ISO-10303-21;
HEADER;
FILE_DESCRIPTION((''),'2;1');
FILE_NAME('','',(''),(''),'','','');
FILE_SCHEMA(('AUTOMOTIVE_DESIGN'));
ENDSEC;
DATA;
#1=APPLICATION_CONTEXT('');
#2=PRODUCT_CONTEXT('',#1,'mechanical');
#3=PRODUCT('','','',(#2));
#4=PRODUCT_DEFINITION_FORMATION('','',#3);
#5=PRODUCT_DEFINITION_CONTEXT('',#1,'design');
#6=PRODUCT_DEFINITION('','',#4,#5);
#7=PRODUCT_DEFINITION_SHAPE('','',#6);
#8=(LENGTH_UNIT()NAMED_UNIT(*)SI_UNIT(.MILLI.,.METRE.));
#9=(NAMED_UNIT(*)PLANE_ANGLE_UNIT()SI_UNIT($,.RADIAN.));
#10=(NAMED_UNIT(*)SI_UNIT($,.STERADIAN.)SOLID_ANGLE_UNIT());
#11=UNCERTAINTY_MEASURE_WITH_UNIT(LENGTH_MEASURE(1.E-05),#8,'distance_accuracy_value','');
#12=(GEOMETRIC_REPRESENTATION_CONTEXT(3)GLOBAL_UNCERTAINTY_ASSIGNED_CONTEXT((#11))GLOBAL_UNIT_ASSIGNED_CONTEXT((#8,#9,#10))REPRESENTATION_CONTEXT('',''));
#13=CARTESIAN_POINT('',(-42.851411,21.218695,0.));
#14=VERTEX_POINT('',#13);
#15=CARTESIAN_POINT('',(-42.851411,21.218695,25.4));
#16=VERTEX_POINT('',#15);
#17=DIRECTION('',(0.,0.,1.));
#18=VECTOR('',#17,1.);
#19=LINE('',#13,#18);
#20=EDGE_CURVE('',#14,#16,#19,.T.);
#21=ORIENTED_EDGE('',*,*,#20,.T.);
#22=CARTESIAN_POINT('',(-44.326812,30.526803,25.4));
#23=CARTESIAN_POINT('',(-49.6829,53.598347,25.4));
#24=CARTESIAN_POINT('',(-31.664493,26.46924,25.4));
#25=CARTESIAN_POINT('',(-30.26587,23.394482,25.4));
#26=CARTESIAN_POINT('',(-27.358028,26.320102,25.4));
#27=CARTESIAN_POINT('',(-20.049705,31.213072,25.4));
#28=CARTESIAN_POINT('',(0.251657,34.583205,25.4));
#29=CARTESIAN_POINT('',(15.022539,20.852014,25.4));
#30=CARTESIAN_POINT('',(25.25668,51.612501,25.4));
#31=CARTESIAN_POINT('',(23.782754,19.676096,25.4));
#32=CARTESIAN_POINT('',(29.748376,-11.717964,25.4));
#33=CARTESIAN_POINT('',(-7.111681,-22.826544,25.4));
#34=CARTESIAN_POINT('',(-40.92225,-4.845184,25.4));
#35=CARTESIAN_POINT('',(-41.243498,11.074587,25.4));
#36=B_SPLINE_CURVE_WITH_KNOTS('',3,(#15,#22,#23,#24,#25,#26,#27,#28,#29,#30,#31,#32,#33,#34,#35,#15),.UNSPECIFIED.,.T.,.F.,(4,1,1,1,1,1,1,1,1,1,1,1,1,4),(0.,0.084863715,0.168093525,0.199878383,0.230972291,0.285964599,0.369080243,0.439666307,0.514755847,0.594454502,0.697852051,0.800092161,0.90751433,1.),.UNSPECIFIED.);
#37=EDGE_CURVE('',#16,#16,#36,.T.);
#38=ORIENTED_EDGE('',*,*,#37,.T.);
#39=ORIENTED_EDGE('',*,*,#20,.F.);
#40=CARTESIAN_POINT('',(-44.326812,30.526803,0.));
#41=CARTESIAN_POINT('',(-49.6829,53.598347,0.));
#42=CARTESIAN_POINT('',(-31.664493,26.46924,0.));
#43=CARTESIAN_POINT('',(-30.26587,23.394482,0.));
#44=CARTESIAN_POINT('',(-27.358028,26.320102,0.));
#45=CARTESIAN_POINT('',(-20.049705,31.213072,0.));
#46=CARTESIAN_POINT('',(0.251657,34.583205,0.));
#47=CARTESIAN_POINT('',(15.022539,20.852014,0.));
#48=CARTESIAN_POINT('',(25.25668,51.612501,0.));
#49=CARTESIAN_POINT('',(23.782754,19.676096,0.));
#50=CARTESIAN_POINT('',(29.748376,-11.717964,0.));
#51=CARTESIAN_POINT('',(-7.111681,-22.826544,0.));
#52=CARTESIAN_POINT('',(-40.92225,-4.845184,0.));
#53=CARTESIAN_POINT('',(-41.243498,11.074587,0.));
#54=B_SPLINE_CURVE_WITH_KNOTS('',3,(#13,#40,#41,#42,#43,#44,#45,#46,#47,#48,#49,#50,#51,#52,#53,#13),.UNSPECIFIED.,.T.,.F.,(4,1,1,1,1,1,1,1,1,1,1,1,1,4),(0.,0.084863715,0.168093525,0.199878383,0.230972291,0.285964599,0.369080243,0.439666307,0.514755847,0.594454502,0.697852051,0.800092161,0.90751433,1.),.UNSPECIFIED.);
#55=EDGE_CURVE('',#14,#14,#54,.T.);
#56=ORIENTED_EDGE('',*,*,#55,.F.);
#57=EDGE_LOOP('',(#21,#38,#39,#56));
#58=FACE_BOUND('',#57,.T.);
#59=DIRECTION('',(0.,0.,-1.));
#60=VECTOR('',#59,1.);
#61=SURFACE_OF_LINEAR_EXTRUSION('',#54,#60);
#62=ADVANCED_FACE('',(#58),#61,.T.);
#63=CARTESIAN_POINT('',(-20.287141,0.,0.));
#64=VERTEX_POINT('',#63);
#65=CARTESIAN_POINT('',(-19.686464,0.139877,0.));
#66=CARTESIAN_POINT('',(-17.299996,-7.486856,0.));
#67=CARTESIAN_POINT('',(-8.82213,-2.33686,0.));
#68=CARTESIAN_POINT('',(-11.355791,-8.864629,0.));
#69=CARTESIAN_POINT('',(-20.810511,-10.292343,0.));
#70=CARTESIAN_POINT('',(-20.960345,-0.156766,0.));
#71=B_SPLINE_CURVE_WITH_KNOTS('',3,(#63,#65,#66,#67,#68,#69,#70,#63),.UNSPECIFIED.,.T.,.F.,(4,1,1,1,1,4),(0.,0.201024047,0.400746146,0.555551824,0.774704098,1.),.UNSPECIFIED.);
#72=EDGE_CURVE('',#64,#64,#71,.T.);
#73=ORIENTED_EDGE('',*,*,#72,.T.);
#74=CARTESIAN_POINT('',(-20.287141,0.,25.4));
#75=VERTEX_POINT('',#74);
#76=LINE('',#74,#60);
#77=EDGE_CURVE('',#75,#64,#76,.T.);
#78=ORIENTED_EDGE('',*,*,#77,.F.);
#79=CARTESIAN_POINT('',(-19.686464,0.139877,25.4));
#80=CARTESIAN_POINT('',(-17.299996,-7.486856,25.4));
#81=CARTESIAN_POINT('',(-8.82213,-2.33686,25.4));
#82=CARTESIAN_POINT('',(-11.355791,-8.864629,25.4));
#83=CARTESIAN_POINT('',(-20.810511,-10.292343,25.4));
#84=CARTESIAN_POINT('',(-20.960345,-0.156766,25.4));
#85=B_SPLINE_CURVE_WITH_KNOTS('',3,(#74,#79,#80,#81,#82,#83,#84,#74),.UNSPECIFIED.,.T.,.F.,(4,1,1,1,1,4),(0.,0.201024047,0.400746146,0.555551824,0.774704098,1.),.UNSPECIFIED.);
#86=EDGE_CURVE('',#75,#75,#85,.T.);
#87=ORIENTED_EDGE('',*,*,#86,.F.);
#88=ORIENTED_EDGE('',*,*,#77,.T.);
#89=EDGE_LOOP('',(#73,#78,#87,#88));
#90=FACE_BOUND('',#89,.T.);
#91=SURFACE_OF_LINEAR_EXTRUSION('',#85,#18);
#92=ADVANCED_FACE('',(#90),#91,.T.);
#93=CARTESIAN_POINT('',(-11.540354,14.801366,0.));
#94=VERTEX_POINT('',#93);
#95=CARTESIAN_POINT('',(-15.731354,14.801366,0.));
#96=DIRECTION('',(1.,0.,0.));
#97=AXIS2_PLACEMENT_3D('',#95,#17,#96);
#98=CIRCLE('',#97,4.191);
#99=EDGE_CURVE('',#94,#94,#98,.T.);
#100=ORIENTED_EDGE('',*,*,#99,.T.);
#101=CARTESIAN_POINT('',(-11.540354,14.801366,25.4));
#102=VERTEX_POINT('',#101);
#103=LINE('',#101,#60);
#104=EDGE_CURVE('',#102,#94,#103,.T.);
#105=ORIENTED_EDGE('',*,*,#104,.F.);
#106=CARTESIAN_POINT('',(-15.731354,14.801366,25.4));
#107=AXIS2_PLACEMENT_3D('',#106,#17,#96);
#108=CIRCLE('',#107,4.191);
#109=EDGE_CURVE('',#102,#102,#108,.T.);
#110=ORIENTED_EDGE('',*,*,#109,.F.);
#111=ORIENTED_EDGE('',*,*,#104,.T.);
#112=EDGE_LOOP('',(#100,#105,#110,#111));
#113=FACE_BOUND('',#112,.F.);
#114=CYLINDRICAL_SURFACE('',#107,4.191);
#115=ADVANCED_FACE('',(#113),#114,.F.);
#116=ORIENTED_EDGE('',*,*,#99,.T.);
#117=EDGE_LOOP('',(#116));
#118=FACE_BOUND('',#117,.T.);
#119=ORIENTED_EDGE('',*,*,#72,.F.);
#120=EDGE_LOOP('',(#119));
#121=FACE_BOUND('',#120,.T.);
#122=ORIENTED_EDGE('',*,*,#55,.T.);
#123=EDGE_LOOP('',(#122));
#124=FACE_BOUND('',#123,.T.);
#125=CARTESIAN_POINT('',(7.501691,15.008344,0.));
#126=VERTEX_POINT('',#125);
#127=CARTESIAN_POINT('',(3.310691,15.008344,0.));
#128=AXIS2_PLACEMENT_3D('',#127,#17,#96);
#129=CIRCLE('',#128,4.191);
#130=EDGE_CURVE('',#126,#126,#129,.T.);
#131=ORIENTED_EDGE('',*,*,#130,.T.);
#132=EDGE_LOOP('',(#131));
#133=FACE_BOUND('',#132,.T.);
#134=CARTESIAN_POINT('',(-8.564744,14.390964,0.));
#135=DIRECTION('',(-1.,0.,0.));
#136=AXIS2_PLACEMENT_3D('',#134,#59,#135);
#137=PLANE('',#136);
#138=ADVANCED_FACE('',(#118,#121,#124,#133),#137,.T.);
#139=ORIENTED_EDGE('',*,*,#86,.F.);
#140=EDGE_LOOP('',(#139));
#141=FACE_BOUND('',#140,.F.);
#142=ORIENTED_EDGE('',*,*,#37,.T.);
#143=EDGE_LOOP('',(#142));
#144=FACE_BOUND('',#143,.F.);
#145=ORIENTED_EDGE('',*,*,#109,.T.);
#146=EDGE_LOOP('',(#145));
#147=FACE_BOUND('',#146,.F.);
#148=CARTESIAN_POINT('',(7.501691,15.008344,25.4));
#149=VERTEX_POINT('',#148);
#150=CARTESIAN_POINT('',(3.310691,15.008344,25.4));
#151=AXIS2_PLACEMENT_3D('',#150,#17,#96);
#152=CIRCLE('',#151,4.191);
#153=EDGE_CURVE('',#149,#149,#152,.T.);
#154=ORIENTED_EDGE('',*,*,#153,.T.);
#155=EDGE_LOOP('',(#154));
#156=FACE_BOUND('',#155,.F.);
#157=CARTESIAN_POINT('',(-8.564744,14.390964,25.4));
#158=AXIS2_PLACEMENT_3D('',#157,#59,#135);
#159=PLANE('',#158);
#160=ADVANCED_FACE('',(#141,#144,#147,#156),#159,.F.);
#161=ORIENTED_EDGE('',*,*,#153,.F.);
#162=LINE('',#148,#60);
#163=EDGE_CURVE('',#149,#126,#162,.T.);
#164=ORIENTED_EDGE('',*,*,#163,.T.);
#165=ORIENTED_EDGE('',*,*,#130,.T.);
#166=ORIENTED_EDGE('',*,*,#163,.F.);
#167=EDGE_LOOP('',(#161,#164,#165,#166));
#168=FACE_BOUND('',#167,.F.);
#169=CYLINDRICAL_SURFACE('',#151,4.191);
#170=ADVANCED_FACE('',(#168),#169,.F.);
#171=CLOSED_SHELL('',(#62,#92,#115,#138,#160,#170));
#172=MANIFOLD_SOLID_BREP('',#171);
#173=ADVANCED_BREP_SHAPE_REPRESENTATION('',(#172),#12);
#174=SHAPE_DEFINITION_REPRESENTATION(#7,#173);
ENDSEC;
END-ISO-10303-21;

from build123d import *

# Parameters (mm, degrees)
F1_DEPTH = 25.4
F2_R     = 4.191
F3_DEPTH = 25.4


with BuildPart() as f1:
    # F0 (on Top) → F1 (new body)
    with BuildSketch(Plane.XY):
        with BuildLine():
            add(Edge.make_bspline(
                [(-42.8514108062, 21.2186947465), (-44.3268118201, 30.5268033366), (-49.6829000505, 53.5983472666), (-31.6644929782, 26.4692395328), (-30.2658704048, 23.3944824767), (-27.3580280224, 26.320101718), (-20.0497046803, 31.2130721735), (0.2516572719, 34.5832046445), (15.0225386336, 20.8520136911), (25.2566801168, 51.6125008839), (23.7827540764, 19.6760959158), (29.7483761587, -11.7179638818), (-7.1116814767, -22.8265440505), (-40.922249543, -4.8451840082), (-41.243498032, 11.0745871004), (-42.8514108062, 21.2186947465)],
                knots=[0, 0, 0, 0, 0.0848637145, 0.1680935252, 0.1998783833, 0.2309722911, 0.285964599, 0.3690802428, 0.439666307, 0.514755847, 0.5944545024, 0.6978520507, 0.8000921614, 0.9075143304, 1, 1, 1, 1], degree=3))
        make_face()
    extrude(amount=F1_DEPTH)

    # F2 (on face) → F3 (cut)
    with BuildSketch(Plane.XY.offset(25.4)):
        with Locations((-15.7313544528, 14.8013656155)):
            Circle(F2_R)
        with Locations((3.3106912559, 15.008344315)):
            Circle(F2_R)
        with BuildLine():
            add(Edge.make_bspline(
                [(-20.2871412039, 0), (-19.6864639807, 0.139877269), (-17.2999964436, -7.4868556319), (-8.8221302548, -2.336859719), (-11.3557907609, -8.8646285726), (-20.8105110204, -10.2923430669), (-20.9603448263, -0.1567661975), (-20.2871412039, 0)],
                knots=[0, 0, 0, 0, 0.2010240471, 0.4007461458, 0.5555518241, 0.7747040982, 1, 1, 1, 1], degree=3))
        make_face()
    extrude(amount=-F3_DEPTH, mode=Mode.SUBTRACT)


solid = f1.part
